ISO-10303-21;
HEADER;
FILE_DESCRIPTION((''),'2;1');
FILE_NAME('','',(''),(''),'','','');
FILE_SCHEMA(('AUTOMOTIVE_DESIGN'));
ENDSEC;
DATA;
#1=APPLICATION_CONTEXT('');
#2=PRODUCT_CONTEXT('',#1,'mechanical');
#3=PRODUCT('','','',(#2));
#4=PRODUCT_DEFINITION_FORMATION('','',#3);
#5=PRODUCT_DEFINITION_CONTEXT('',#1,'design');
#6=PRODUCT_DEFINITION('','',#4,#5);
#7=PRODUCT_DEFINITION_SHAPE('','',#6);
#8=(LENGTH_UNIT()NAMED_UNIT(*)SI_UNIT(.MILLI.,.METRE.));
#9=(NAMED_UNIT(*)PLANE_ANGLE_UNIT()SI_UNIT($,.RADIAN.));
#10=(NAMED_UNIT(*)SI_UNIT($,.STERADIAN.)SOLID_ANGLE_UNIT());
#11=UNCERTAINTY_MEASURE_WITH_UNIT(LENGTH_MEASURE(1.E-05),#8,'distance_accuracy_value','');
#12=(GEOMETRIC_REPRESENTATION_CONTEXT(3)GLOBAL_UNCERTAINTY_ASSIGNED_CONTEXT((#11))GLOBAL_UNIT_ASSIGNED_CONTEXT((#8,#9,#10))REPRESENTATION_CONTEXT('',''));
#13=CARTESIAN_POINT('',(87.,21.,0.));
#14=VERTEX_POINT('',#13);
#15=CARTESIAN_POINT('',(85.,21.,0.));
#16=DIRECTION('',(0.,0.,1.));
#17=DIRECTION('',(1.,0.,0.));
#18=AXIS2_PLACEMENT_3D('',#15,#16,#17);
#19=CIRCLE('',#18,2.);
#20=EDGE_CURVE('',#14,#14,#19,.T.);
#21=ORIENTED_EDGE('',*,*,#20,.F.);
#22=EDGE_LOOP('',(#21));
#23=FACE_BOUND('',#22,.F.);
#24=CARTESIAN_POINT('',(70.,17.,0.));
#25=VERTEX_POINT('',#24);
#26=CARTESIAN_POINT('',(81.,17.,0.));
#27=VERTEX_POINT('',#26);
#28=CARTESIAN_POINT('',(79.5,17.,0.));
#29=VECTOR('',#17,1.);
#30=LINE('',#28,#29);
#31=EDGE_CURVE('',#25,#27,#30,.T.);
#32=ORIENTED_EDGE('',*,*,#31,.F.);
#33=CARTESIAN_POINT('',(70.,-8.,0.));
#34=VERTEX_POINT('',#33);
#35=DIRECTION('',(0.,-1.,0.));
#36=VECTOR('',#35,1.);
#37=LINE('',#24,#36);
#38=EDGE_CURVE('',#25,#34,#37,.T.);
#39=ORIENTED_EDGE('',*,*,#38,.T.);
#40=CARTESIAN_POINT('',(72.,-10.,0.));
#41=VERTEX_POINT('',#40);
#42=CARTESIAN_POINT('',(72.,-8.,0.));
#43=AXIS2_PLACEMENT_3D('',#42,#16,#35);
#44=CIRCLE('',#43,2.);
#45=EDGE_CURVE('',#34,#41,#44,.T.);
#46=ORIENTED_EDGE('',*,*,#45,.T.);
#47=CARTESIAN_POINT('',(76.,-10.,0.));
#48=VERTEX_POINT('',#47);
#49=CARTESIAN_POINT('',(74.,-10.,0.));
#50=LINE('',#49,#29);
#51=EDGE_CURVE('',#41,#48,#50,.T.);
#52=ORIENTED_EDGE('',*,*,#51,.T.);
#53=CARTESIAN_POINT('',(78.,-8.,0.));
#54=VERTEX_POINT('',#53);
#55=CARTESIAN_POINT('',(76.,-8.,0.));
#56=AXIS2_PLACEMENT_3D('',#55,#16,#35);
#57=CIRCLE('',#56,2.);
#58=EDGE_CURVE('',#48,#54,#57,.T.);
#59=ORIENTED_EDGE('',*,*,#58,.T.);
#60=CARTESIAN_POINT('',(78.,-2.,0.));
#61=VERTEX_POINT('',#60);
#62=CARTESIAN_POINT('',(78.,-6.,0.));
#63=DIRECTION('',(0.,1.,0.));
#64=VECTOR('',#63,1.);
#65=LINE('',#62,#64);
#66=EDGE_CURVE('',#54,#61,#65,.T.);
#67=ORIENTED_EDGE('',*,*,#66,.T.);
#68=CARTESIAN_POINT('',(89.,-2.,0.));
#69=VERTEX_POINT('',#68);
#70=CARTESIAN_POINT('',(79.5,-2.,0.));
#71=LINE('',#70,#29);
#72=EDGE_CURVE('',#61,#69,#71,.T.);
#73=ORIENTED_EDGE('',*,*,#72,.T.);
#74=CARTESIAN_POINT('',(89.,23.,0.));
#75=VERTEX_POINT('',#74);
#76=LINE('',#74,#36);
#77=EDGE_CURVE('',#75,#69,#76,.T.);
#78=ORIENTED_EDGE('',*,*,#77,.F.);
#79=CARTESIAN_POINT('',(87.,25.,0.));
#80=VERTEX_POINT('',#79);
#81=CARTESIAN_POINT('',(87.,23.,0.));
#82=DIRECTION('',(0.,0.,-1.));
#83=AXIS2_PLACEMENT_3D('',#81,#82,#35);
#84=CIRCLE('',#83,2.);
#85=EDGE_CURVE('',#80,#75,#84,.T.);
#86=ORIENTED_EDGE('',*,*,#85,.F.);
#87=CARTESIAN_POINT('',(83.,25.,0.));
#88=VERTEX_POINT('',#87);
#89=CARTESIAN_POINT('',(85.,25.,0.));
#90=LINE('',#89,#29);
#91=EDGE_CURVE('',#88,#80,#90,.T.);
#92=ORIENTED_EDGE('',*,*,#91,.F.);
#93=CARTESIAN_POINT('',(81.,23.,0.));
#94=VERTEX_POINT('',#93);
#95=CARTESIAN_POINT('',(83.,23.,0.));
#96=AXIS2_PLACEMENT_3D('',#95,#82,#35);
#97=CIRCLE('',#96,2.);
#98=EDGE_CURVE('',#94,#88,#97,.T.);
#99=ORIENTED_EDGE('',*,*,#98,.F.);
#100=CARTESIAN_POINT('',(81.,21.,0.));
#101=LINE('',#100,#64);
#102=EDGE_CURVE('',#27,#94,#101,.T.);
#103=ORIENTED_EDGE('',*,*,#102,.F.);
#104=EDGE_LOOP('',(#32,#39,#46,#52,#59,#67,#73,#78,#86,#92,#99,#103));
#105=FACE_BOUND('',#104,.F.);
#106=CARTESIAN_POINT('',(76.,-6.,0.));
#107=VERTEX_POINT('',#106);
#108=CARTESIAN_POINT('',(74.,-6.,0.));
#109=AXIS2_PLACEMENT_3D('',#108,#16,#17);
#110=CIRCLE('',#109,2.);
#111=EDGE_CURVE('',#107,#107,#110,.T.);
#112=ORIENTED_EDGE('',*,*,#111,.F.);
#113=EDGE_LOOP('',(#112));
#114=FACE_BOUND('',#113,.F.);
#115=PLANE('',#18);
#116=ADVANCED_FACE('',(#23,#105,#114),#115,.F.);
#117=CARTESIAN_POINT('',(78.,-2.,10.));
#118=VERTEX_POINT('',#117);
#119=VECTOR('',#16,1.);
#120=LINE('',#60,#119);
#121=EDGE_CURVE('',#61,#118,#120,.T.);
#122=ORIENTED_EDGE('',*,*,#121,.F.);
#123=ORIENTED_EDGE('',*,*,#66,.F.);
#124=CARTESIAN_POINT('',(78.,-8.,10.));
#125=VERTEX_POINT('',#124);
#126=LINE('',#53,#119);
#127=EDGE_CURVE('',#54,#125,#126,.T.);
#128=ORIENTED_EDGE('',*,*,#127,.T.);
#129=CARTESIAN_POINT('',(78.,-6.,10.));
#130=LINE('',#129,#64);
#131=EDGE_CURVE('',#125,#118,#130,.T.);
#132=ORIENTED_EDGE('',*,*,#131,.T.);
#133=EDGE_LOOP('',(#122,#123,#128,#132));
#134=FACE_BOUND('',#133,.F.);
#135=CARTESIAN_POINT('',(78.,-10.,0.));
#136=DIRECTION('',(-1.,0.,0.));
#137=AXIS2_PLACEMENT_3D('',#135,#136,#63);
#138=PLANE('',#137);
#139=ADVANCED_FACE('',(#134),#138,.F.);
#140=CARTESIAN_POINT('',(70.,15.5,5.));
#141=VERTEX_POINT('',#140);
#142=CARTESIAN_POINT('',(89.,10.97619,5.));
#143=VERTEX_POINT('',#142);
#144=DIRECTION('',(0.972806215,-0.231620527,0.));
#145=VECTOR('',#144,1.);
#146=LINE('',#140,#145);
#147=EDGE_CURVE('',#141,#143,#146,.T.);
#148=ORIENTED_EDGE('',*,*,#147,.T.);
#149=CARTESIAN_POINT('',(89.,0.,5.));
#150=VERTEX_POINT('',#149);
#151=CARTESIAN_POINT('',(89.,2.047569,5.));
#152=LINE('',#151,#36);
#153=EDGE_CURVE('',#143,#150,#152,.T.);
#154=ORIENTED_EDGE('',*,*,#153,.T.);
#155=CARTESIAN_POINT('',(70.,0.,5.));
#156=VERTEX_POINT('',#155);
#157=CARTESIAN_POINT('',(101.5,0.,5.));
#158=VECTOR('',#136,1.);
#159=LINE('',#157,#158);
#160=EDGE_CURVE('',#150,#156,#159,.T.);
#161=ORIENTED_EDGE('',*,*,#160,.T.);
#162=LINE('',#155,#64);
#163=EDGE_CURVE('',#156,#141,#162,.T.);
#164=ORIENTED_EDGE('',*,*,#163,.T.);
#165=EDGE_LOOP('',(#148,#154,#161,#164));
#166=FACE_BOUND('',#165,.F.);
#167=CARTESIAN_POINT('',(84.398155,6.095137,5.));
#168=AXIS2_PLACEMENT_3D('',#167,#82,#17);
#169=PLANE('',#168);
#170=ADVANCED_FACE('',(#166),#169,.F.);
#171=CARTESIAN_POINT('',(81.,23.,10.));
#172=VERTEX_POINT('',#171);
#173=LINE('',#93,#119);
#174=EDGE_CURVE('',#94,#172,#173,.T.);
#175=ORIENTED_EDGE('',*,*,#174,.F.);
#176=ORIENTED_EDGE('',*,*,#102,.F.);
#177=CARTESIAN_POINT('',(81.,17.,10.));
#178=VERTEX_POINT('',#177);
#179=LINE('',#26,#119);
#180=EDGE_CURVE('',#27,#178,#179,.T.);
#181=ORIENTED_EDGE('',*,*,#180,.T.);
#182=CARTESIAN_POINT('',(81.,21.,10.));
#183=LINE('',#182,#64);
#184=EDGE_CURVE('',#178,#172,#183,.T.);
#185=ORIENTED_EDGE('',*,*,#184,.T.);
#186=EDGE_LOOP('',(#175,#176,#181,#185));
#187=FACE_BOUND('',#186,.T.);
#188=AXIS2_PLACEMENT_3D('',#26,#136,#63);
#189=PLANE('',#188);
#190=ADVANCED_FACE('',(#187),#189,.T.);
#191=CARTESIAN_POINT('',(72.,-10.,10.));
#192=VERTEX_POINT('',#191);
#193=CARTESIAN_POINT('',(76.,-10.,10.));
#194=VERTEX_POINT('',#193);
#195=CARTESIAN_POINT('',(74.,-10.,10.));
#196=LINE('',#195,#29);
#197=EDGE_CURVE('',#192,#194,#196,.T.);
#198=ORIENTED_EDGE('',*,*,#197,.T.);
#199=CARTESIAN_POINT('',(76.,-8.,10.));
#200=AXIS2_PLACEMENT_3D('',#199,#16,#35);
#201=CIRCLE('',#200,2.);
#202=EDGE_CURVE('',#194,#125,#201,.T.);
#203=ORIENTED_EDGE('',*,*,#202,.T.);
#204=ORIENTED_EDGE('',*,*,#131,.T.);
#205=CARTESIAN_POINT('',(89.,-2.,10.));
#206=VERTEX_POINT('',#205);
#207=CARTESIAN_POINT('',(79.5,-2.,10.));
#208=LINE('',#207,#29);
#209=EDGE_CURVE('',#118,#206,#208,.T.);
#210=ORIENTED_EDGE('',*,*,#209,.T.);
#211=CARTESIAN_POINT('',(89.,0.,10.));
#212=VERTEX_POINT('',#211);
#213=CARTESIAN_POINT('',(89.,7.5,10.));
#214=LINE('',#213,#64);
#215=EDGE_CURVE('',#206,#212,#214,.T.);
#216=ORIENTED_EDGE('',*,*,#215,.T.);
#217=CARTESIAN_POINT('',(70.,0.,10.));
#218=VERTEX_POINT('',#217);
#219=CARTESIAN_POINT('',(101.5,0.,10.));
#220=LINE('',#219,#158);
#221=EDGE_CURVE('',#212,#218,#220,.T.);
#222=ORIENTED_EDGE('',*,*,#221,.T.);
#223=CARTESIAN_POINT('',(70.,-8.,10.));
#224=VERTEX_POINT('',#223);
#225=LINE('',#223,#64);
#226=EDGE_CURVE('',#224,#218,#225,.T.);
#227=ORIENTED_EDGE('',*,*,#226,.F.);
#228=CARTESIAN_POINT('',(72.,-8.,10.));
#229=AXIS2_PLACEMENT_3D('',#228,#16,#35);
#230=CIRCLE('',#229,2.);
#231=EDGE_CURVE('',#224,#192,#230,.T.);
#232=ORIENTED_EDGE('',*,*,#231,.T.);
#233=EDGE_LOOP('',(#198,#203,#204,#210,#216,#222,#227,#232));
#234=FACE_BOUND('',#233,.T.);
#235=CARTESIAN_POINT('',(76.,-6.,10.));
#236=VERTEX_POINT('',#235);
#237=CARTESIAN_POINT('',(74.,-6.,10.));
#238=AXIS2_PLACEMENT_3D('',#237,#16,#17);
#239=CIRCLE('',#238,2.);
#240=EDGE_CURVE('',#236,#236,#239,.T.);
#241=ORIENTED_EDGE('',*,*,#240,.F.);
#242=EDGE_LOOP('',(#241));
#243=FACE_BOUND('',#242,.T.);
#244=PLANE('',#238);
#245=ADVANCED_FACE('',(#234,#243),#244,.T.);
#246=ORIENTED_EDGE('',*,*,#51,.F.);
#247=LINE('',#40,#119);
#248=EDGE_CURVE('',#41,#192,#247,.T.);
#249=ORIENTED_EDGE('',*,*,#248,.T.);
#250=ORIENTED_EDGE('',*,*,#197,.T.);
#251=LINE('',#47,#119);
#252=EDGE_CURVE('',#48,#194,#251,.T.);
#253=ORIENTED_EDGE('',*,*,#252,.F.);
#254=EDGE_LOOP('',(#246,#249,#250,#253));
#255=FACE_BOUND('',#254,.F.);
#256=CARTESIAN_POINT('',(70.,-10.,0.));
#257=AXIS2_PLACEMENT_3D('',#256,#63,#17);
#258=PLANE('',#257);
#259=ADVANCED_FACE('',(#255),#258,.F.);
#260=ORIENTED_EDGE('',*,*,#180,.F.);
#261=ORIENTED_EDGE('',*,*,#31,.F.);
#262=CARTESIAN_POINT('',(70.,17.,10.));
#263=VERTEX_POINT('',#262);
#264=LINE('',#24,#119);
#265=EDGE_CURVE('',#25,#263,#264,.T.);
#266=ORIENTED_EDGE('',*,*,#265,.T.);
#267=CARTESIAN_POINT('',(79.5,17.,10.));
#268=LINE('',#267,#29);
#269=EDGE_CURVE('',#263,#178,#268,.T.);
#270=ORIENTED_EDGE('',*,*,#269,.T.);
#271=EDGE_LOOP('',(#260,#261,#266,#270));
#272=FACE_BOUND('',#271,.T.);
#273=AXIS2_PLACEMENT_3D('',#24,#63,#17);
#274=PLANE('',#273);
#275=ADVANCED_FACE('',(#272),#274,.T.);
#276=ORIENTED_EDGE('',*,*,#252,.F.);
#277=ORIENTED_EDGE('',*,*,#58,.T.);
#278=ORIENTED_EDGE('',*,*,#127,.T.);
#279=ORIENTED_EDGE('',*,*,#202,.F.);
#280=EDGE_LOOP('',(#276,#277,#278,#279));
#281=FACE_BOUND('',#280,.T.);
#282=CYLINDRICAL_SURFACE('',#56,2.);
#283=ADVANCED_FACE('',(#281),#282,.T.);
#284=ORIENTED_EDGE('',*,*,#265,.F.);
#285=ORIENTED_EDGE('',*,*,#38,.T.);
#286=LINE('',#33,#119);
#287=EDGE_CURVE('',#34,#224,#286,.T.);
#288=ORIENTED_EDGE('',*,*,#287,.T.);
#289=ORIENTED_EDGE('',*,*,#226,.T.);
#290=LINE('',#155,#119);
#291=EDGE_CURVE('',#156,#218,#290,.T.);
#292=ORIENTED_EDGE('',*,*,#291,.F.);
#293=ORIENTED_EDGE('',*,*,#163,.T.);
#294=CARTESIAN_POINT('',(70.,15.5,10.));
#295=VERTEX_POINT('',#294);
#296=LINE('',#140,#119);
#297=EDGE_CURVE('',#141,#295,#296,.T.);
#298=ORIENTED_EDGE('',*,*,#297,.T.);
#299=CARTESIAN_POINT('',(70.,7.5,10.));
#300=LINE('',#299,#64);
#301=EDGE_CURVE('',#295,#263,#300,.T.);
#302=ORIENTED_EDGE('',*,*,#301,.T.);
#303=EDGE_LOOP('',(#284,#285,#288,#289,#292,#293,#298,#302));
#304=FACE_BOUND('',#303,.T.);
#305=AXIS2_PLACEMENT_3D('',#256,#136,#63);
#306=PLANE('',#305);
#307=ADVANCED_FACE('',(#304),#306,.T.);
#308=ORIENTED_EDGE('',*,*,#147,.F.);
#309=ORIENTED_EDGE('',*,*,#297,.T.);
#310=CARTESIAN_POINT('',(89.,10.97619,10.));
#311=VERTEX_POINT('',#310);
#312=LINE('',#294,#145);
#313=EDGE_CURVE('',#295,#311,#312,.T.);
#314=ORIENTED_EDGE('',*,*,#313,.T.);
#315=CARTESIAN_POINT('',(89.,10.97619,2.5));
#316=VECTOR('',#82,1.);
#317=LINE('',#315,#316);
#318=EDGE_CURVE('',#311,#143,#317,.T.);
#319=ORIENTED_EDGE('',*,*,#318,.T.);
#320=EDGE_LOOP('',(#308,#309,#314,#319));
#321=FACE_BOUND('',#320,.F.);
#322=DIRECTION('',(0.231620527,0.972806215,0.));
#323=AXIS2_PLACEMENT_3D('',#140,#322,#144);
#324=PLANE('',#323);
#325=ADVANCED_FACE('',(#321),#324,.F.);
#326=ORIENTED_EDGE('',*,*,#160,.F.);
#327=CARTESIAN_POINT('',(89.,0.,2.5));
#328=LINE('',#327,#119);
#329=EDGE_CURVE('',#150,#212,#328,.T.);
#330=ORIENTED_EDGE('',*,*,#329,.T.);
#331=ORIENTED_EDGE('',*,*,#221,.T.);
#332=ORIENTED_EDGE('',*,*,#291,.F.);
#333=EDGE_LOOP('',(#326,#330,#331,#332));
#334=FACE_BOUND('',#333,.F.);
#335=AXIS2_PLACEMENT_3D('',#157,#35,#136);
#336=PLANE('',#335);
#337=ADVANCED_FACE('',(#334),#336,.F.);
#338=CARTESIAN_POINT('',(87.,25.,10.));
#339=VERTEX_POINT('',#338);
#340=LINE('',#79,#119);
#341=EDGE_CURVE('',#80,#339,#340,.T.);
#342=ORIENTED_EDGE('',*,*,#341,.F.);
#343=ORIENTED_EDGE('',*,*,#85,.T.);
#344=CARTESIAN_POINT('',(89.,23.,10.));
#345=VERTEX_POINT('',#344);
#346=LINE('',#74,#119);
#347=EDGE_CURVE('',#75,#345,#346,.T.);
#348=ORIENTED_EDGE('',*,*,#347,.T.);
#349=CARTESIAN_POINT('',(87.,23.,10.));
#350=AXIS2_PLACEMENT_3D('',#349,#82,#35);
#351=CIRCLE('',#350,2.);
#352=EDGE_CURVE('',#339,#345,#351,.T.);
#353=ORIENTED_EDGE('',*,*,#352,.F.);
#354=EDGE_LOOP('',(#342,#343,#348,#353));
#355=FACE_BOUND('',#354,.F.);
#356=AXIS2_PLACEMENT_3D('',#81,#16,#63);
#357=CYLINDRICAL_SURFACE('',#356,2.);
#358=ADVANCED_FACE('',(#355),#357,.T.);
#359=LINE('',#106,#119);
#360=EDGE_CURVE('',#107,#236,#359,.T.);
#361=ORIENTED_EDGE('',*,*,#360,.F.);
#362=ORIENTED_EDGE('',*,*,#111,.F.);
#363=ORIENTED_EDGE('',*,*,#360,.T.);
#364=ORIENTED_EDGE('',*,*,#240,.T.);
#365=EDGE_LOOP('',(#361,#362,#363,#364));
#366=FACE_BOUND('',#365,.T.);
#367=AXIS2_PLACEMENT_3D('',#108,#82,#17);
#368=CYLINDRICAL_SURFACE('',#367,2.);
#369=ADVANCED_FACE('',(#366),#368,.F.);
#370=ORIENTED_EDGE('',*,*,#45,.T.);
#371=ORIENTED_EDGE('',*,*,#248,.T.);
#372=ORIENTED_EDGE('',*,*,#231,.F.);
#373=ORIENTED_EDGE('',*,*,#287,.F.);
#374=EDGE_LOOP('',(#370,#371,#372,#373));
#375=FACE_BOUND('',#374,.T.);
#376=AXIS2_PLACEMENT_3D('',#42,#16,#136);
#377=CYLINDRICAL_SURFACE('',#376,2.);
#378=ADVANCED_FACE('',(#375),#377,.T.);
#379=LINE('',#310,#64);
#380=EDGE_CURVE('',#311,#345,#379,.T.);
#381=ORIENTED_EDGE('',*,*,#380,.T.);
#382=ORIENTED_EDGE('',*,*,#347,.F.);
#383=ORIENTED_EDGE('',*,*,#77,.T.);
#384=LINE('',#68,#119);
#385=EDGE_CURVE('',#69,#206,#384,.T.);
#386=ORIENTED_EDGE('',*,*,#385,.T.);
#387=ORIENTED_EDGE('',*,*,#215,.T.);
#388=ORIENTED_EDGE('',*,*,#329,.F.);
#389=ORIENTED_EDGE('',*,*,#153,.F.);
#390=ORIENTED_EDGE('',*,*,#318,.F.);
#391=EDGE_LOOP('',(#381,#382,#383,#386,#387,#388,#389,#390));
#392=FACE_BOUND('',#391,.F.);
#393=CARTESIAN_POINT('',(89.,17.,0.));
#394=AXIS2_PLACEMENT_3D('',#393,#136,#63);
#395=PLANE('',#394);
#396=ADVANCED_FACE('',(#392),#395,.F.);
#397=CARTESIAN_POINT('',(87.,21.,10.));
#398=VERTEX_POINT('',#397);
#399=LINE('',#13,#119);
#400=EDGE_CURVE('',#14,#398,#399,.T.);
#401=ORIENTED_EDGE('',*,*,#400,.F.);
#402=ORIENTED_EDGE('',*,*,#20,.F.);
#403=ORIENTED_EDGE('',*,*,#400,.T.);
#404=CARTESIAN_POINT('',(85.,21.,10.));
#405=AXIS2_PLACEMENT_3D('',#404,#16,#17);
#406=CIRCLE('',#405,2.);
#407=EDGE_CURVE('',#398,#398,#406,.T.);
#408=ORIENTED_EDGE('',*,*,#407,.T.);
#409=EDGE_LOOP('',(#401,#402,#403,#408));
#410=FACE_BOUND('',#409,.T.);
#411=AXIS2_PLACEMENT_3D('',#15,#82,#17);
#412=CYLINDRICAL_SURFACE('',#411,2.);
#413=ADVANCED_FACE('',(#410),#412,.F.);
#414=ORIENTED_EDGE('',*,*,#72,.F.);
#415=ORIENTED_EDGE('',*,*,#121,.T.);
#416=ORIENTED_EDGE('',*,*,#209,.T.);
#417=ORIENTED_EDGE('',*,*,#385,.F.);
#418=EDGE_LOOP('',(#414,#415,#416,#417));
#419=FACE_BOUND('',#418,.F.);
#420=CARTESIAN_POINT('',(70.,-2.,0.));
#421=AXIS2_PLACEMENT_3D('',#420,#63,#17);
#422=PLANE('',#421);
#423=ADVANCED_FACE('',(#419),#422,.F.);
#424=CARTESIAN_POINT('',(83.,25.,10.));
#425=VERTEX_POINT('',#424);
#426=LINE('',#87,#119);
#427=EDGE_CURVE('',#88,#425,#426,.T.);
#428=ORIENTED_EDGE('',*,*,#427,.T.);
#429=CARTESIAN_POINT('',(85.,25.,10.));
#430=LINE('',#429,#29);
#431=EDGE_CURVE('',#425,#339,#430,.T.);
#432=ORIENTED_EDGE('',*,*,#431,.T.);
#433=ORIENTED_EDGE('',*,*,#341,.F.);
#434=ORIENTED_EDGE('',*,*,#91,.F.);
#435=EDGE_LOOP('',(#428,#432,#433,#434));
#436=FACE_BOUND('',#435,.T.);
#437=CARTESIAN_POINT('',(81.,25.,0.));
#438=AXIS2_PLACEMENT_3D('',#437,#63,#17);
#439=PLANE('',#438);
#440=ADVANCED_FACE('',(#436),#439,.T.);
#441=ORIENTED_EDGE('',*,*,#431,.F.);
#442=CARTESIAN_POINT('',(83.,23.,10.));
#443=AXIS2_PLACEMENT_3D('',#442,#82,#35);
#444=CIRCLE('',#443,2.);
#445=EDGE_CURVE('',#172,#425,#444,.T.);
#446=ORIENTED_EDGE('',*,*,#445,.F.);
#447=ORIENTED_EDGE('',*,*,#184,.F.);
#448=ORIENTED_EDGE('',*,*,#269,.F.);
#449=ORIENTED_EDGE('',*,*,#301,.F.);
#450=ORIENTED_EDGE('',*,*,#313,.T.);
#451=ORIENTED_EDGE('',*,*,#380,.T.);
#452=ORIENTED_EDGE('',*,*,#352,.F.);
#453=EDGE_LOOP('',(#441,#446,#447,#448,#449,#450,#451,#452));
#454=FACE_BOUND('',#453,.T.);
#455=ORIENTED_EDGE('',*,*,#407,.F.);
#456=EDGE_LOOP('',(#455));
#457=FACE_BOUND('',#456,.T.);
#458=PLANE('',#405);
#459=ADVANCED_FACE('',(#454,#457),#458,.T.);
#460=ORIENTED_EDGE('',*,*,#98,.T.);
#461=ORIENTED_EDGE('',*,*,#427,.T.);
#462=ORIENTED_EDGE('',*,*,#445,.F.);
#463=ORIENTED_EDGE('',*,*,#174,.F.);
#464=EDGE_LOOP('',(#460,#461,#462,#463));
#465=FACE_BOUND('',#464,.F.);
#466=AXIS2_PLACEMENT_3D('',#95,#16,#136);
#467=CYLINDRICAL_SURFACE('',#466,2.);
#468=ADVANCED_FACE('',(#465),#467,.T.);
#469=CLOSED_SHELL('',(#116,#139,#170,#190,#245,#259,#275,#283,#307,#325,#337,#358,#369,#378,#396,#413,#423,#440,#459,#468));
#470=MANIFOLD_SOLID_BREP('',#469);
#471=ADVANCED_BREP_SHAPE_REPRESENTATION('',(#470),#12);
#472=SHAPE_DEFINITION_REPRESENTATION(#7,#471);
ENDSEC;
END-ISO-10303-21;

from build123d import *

# Parameters (mm, degrees)
CYLINDER006_R     = 2
CYLINDER006_DEPTH = 10
BOX005_W          = 8
BOX005_H          = 8
BOX005_DEPTH      = 10
FILLET002_R       = 2
CYLINDER007_R     = 2
CYLINDER007_DEPTH = 10
BOX006_W          = 8
BOX006_H          = 8
BOX006_DEPTH      = 10
FILLET003_R       = 2
PAD002_DEPTH      = 5
BOX002_W          = 19
BOX002_H          = 19
BOX002_DEPTH      = 10


with BuildPart() as cylinder006:
    # Cylinder006 → Cylinder006 (new body)
    with BuildSketch(Plane(origin=(4, 4, 0), x_dir=(1, 0, 0), z_dir=(0, 0, 1))):
        Circle(CYLINDER006_R)
    extrude(amount=CYLINDER006_DEPTH)


with BuildPart() as fillet002:
    # Box005 → Box005 (new body)
    with BuildSketch(Plane.XY):
        with Locations((4, 4)):
            Rectangle(BOX005_W, BOX005_H)
    extrude(amount=BOX005_DEPTH)

    # Cut006: cut Cylinder006
    add(cylinder006.part, mode=Mode.SUBTRACT)


with BuildPart() as fillet002_1:
    # Cut006 placement: moved
    add(fillet002.part.moved(Location((30, -10, 0))))

    # Fillet002
    fillet002_edges = [fillet002_1.edges().sort_by_distance(p)[0] for p in [
        (30, -10, 5),
        (38, -10, 5),
    ]]
    fillet(fillet002_edges, radius=FILLET002_R)


with BuildPart() as fillet002_2:
    # Fillet002 placement: moved
    add(fillet002_1.part.moved(Location((40, 0, 0))))


with BuildPart() as cylinder007:
    # Cylinder007 → Cylinder007 (new body)
    with BuildSketch(Plane(origin=(4, 4, 0), x_dir=(1, 0, 0), z_dir=(0, 0, 1))):
        Circle(CYLINDER007_R)
    extrude(amount=CYLINDER007_DEPTH)


with BuildPart() as fillet003:
    # Box006 → Box006 (new body)
    with BuildSketch(Plane.XY):
        with Locations((4, 4)):
            Rectangle(BOX006_W, BOX006_H)
    extrude(amount=BOX006_DEPTH)

    # Cut007: cut Cylinder007
    add(cylinder007.part, mode=Mode.SUBTRACT)


with BuildPart() as fillet003_1:
    # Cut007 placement: moved
    add(fillet003.part.moved(Location((45, 14, 0))))

    # Fillet003
    fillet003_edges = [fillet003_1.edges().sort_by_distance(p)[0] for p in [
        (45, 22, 5),
        (53, 22, 5),
    ]]
    fillet(fillet003_edges, radius=FILLET003_R)


with BuildPart() as fillet003_2:
    # Fillet003 placement: moved
    add(fillet003_1.part.moved(Location((36, 3, 0))))


with BuildPart() as f_300mmbody:
    # Sketch002 → Pad002 (new body)
    with BuildSketch(Plane(origin=(0, 0, 0), x_dir=(-1, 0, 0), z_dir=(0, 0, 1))):
        Polygon((-70, 0), (-70, -15.5), (-101.5, -8), (-101.5, 0), align=None)
    extrude(amount=PAD002_DEPTH)


with BuildPart() as f_300mmbody_1:
    # Body002 placement: moved
    add(f_300mmbody.part.moved(Location((0, 0, 5))))


with BuildPart() as f_300mmholder:
    # Box002 → Box002 (new body)
    with BuildSketch(Plane(origin=(70, -2, 0), x_dir=(1, 0, 0), z_dir=(0, 0, 1))):
        with Locations((9.5, 9.5)):
            Rectangle(BOX002_W, BOX002_H)
    extrude(amount=BOX002_DEPTH)

    # Cut002: cut 300mmBody
    add(f_300mmbody_1.part, mode=Mode.SUBTRACT)

    # Fusion001: union Fillet002, Fillet003
    add(fillet002_2.part)
    add(fillet003_2.part)


solid = f_300mmholder.part
